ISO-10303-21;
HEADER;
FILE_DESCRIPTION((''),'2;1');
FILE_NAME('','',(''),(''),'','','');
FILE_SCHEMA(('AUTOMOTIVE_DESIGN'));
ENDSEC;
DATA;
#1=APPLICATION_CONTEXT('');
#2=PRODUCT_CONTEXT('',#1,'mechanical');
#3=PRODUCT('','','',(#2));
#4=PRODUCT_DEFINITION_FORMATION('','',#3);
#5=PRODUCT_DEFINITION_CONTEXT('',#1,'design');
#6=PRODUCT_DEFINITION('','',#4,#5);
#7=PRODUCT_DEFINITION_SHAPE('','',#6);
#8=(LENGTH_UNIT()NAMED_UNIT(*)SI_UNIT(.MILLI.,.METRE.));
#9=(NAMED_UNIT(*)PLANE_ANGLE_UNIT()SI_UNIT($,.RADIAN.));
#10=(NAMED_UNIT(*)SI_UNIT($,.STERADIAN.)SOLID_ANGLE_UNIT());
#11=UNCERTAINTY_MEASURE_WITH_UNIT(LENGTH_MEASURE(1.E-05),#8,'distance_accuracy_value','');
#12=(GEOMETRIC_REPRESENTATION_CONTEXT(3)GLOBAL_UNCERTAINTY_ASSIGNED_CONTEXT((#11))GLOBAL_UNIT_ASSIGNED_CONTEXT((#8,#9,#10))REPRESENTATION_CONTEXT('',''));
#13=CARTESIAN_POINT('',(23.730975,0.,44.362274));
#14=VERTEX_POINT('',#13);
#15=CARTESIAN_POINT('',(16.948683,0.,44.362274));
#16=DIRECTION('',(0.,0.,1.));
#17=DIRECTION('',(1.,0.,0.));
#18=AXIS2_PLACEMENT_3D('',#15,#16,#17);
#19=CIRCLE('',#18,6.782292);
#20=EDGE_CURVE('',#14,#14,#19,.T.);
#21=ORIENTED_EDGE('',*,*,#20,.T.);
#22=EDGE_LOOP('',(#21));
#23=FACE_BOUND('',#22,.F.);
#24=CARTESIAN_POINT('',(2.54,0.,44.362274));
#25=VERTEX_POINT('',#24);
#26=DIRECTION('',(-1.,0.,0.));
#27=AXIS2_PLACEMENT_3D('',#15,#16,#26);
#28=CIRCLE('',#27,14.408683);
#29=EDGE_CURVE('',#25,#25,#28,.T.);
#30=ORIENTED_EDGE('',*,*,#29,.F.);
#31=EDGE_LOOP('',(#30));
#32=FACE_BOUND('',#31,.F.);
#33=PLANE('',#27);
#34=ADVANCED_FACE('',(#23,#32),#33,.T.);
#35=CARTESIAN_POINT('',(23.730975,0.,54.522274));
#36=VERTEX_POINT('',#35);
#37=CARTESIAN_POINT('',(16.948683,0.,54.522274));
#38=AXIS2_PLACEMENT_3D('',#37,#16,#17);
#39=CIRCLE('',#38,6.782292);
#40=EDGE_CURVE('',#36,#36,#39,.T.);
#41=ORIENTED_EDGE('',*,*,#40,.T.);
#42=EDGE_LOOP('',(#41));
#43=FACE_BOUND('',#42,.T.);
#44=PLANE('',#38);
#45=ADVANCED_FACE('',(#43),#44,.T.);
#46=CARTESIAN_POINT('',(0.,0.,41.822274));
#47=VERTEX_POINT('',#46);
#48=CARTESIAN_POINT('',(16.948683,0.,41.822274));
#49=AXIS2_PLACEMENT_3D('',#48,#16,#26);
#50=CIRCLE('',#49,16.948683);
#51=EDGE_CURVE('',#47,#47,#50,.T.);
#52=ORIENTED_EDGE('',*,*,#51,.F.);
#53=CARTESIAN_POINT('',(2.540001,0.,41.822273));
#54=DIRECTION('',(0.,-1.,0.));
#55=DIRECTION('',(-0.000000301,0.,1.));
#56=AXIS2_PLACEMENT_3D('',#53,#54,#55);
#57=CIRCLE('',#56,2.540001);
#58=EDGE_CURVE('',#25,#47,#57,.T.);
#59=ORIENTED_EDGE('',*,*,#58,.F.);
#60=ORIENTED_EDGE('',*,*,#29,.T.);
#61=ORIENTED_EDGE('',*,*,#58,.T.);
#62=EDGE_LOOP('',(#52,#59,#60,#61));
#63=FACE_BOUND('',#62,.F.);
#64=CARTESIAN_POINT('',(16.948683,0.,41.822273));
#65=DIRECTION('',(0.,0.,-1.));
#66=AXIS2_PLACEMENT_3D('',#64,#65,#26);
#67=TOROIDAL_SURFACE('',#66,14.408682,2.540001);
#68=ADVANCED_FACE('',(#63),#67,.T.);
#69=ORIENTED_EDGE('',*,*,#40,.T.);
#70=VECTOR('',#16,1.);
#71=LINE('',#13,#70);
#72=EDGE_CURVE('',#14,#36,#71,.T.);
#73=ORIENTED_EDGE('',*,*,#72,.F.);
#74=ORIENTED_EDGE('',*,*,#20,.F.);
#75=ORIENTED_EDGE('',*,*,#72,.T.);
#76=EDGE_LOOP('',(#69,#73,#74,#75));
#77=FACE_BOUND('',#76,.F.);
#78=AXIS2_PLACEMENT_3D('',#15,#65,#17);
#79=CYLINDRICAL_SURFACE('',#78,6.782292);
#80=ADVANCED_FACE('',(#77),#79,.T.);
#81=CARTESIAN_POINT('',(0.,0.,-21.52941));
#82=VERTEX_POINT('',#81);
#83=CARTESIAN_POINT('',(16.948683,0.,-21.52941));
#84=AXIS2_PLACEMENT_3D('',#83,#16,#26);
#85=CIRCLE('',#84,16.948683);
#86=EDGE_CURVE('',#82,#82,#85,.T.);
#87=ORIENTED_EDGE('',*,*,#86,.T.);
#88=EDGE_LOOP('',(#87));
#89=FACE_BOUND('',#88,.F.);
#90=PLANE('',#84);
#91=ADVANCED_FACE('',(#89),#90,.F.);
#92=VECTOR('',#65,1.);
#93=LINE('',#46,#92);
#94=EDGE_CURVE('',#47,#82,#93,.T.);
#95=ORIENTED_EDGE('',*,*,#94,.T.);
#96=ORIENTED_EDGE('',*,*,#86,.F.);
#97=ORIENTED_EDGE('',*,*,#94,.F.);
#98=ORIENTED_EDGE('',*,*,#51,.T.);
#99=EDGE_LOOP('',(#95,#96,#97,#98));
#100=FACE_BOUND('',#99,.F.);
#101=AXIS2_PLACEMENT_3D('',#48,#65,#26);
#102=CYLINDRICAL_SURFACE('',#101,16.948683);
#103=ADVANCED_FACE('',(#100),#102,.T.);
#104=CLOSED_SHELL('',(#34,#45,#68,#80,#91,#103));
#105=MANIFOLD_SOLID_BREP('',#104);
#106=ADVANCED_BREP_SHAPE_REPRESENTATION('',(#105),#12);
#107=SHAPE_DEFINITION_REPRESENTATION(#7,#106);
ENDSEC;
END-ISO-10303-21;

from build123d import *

# Parameters (mm, degrees)
F2_R     = 6.782292
F3_DEPTH = 10.16
F4_R     = 4.804255
F5_DEPTH = 4


with BuildPart() as f1:
    # F0 (on Front) → F1 (revolve)
    with BuildSketch(Plane.XZ):
        with BuildLine():
            Line((0, 41.822274), (0, -21.52941))
            Line((0, -21.52941), (16.948683, -21.52941))
            Line((16.948683, -21.52941), (16.948683, 44.362274))
            Line((16.948683, 44.362274), (2.54, 44.362274))
            ThreePointArc((2.54, 44.362274), (0.743949, 43.618325), (0, 41.822274))
        make_face()
    revolve(axis=Axis((16.948683, 0, 11.416432), (0, 0, 1)))

    # F2 (on face) → F3 (join)
    with BuildSketch(Plane.XY.offset(44.362274)):
        with Locations((16.948683, 0)):
            Circle(F2_R)
    extrude(amount=F3_DEPTH)

    # F4 (on face) → F5 (join)
    with BuildSketch(Plane.XY.offset(54.522274)):
        with Locations((16.948683, 0)):
            Circle(F4_R)
    extrude(amount=-F5_DEPTH)


solid = f1.part
